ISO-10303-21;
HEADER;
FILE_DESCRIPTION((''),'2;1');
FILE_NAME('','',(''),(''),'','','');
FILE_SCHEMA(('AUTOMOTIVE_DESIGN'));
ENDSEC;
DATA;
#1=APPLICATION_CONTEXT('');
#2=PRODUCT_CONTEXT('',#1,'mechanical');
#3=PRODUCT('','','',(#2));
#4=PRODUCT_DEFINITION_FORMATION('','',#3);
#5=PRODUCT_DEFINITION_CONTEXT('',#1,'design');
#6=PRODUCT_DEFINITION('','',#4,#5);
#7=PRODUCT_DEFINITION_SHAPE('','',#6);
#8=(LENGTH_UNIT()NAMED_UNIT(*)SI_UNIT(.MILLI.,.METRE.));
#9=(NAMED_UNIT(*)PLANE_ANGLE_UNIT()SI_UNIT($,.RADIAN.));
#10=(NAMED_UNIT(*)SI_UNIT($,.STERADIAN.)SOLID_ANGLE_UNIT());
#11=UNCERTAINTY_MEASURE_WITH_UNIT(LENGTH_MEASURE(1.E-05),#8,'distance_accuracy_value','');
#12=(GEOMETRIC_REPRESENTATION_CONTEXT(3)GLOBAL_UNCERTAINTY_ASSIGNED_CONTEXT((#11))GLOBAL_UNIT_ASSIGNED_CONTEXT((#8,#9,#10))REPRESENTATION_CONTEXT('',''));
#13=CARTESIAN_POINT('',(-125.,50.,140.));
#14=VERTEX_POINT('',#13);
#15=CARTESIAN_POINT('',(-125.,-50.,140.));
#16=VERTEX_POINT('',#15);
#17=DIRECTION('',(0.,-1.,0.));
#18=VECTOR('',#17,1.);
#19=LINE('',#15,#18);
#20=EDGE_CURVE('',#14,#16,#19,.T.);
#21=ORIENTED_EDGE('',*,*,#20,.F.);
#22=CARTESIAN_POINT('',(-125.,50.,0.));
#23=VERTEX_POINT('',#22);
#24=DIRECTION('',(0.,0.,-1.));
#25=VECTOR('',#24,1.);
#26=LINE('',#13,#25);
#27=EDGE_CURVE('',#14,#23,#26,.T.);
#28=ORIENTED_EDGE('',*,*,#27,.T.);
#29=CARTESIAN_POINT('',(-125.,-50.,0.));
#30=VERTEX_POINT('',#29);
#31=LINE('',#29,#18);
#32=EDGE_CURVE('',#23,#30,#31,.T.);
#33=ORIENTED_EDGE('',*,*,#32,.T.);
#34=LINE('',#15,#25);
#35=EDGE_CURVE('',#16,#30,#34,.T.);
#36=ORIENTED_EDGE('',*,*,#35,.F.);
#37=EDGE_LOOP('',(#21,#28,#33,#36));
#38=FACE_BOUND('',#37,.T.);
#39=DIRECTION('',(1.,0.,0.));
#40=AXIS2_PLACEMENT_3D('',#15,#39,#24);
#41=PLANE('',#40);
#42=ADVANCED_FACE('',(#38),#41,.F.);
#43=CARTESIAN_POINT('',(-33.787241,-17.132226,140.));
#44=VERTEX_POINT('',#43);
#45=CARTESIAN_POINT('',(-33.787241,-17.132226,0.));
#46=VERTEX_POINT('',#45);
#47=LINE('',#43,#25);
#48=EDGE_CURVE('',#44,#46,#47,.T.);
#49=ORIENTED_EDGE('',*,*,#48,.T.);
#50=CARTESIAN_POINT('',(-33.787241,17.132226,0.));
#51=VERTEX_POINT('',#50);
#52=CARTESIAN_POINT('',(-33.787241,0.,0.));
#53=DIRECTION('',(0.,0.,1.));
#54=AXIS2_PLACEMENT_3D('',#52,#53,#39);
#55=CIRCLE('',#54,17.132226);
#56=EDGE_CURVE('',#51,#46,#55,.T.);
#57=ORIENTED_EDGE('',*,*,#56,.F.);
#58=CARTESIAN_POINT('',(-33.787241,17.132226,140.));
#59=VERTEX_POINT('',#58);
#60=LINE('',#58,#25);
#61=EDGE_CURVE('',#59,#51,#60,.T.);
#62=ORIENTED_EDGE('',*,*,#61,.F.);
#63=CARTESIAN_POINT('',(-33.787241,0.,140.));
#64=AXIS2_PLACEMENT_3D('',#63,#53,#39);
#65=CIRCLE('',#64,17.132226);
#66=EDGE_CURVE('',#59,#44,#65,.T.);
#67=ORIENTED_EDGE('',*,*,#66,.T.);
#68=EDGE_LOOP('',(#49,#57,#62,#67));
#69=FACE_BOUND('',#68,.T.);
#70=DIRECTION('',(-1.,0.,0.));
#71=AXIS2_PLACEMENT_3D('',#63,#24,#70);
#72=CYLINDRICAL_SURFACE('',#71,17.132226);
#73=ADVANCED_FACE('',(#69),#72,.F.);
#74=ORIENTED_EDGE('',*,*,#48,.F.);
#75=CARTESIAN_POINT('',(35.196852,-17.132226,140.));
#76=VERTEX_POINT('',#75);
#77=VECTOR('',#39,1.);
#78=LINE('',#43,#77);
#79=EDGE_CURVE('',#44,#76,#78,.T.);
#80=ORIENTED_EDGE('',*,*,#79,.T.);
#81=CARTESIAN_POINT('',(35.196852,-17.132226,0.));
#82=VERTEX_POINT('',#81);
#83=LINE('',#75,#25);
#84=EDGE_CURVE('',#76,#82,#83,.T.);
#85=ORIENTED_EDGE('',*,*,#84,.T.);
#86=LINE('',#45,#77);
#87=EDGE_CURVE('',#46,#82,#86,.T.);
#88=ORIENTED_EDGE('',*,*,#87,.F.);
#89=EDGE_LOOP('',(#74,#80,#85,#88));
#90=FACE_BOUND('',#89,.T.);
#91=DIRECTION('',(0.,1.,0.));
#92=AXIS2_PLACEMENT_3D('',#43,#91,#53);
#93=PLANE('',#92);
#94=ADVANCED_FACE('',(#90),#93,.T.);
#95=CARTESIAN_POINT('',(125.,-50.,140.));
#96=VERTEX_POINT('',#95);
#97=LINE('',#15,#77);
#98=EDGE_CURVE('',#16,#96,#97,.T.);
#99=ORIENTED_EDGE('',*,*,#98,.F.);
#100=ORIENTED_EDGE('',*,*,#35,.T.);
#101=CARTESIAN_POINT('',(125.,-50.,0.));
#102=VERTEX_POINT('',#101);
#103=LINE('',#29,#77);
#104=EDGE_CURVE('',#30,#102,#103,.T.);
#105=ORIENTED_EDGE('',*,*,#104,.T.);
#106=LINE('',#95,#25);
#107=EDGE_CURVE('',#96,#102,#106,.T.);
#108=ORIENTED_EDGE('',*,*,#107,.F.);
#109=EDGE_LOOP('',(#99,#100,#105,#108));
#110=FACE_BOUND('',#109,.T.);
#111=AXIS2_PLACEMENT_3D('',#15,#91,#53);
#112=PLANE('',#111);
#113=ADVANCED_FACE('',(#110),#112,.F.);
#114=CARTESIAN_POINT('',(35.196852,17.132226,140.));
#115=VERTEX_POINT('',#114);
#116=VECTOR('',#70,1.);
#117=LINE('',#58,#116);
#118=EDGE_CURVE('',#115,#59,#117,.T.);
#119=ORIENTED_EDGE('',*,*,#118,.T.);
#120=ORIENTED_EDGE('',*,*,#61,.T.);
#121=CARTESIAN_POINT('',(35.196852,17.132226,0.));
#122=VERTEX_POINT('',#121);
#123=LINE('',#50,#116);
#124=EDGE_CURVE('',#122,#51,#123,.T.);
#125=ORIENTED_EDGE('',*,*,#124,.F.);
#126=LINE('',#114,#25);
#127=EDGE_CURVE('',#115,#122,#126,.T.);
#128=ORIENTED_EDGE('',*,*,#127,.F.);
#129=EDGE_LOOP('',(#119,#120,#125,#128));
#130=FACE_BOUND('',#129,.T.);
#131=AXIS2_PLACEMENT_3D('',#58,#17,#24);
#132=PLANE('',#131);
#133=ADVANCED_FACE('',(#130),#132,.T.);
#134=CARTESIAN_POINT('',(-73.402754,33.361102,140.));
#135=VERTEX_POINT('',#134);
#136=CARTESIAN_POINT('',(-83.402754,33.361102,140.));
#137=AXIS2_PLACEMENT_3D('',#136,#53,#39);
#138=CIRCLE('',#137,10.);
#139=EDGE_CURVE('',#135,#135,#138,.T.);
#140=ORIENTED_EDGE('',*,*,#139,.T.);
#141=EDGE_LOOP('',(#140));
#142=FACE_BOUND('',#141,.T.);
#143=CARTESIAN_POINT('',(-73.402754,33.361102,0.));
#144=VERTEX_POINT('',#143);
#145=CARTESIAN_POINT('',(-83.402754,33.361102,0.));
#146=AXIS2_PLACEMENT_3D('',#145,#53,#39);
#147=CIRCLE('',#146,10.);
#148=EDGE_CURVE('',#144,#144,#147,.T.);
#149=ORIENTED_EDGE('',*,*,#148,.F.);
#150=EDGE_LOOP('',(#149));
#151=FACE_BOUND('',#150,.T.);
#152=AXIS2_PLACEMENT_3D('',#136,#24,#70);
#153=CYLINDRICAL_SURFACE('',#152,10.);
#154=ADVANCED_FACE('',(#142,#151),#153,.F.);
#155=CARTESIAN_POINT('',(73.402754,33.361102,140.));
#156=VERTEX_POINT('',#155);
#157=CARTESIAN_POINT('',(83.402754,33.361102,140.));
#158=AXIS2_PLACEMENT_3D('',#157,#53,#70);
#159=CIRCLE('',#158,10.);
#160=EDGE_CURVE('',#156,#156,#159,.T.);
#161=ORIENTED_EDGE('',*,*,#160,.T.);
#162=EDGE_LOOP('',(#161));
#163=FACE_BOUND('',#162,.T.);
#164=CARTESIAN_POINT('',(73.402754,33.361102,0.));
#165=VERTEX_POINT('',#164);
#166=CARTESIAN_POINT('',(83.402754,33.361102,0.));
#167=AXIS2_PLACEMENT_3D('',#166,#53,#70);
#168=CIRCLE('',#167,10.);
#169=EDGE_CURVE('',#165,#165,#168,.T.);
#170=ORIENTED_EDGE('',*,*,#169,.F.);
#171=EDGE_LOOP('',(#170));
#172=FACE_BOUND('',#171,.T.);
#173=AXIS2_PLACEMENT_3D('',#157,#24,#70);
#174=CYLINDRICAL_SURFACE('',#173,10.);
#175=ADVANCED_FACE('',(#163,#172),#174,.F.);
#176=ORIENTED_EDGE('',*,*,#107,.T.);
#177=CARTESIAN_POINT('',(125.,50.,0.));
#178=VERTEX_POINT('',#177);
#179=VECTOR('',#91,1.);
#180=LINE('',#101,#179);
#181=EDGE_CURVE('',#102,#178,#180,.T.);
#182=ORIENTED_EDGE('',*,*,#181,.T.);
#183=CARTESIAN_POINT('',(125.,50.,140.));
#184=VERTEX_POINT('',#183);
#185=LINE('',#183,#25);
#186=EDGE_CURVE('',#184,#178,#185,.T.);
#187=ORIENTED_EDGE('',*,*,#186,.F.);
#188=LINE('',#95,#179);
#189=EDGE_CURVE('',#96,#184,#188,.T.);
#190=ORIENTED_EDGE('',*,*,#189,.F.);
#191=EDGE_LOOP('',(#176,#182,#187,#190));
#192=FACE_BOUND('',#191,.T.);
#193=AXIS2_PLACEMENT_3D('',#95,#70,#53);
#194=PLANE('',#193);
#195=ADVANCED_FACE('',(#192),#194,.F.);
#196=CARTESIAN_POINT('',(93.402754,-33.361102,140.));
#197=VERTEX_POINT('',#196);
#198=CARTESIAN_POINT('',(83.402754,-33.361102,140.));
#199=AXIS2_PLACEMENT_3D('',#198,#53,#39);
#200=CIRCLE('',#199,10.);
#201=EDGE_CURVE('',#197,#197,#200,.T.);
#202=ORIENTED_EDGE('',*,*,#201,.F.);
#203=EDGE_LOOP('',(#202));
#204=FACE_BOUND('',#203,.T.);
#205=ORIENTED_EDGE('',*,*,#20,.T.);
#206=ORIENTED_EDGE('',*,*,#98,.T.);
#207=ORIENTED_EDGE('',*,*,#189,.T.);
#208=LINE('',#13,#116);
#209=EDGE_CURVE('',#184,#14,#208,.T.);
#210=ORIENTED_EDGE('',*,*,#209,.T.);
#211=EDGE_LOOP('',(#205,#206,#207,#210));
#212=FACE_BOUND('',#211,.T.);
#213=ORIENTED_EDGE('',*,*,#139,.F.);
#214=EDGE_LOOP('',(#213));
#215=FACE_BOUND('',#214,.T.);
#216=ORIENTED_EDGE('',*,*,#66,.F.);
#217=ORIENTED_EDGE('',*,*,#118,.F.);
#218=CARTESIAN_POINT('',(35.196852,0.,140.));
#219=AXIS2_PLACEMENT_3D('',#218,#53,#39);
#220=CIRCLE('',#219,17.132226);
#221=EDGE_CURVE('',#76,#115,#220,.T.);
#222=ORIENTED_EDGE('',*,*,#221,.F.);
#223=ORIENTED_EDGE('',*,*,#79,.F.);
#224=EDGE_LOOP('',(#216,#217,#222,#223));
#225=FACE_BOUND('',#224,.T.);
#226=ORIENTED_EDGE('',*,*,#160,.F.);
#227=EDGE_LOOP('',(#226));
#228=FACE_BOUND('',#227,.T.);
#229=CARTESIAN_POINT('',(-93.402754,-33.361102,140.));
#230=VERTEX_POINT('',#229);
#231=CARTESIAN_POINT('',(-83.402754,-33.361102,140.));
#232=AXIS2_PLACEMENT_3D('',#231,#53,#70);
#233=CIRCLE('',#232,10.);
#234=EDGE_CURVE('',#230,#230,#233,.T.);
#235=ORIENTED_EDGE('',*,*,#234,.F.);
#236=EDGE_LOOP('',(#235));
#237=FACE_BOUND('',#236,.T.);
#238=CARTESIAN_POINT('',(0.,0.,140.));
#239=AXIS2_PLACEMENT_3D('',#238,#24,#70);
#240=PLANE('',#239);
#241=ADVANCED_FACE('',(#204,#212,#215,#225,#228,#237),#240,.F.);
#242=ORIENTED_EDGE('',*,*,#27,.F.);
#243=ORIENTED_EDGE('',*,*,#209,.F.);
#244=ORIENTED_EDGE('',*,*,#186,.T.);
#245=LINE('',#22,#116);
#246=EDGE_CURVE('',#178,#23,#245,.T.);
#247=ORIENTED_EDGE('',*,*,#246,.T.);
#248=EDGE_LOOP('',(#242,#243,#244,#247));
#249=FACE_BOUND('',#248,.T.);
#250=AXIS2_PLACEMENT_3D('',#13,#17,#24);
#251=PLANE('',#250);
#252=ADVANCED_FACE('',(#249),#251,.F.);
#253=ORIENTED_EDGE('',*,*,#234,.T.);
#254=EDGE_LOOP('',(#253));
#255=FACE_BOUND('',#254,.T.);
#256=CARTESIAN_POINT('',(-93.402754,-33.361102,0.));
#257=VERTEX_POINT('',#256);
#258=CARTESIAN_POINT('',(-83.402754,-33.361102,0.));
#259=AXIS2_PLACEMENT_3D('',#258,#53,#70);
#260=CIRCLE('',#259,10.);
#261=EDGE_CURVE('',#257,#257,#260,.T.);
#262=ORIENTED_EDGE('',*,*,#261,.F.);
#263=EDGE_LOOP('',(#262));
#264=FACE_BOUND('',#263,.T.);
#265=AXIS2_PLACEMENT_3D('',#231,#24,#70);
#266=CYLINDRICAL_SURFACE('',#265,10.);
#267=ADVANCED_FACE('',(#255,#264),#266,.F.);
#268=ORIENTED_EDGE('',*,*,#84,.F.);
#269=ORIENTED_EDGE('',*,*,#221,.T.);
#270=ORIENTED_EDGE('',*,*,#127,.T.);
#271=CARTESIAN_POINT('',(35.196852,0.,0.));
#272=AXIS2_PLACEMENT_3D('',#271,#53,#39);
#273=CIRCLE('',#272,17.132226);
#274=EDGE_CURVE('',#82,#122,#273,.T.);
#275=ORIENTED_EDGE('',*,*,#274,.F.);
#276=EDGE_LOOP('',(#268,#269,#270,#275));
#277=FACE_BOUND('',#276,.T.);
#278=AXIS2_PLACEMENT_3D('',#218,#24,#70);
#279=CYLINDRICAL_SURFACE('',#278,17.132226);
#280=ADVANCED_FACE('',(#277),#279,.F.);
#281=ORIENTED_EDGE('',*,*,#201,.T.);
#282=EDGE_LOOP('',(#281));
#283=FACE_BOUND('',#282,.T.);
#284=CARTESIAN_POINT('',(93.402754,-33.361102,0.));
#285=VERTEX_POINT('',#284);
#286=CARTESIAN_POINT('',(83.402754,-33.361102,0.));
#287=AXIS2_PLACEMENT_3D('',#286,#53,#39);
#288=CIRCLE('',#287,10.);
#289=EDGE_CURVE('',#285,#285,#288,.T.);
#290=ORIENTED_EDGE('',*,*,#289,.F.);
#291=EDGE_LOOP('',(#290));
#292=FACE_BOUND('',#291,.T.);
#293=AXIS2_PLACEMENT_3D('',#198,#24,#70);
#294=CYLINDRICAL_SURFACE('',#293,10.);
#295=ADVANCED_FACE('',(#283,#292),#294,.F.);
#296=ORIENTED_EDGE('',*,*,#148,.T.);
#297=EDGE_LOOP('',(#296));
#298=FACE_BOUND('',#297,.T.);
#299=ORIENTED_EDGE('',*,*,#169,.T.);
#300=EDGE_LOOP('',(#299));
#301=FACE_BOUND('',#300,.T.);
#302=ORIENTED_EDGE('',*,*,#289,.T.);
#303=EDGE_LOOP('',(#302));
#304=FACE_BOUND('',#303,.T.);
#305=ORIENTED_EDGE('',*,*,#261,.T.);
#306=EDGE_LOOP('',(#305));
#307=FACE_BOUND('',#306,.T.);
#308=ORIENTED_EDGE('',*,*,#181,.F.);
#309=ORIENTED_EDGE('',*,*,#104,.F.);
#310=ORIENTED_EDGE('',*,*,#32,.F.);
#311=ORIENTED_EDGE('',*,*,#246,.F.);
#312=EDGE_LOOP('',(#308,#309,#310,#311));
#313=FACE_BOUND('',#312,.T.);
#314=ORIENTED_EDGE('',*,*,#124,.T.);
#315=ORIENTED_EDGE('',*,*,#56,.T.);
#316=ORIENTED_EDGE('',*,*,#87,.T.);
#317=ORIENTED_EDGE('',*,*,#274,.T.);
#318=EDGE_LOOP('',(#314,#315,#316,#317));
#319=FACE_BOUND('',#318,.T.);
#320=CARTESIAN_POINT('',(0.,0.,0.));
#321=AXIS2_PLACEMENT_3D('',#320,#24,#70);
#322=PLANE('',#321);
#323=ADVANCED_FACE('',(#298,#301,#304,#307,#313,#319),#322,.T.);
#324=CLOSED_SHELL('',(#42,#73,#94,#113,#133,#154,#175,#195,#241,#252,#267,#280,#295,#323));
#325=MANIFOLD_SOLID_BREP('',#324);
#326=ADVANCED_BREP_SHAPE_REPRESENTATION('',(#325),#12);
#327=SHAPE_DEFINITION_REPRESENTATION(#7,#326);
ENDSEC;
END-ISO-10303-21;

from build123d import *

# Parameters (mm, degrees)
ESQUISSE1_W        = 250
ESQUISSE1_H        = 100
ESQUISSE1_R        = 10
BOSS_EXTRU_1_DEPTH = 140


with BuildPart() as part:
    # Esquisse1 → Boss.-Extru.1 (new body)
    with BuildSketch(Plane.XY):
        Rectangle(ESQUISSE1_W, ESQUISSE1_H)
        with Locations((-83.402754161, 33.361101664)):
            Circle(ESQUISSE1_R, mode=Mode.SUBTRACT)
        with Locations(Location((83.402754161, 33.361101664, 0), (0, 0, 180))):
            Circle(ESQUISSE1_R, mode=Mode.SUBTRACT)
        with Locations((83.402754161, -33.361101664)):
            Circle(ESQUISSE1_R, mode=Mode.SUBTRACT)
        with Locations(Location((-83.402754161, -33.361101664, 0), (0, 0, 180))):
            Circle(ESQUISSE1_R, mode=Mode.SUBTRACT)
        with BuildLine():
            Line((-33.78724139, 17.132226308), (35.196852355, 17.132226308))
            ThreePointArc((35.196852355, 17.132226308), (52.329078664, 0), (35.196852355, -17.132226308))
            Line((35.196852355, -17.132226308), (-33.78724139, -17.132226308))
            ThreePointArc((-33.78724139, -17.132226308), (-50.919467698, 0), (-33.78724139, 17.132226308))
        make_face(mode=Mode.SUBTRACT)
    extrude(amount=BOSS_EXTRU_1_DEPTH)


solid = part.part
